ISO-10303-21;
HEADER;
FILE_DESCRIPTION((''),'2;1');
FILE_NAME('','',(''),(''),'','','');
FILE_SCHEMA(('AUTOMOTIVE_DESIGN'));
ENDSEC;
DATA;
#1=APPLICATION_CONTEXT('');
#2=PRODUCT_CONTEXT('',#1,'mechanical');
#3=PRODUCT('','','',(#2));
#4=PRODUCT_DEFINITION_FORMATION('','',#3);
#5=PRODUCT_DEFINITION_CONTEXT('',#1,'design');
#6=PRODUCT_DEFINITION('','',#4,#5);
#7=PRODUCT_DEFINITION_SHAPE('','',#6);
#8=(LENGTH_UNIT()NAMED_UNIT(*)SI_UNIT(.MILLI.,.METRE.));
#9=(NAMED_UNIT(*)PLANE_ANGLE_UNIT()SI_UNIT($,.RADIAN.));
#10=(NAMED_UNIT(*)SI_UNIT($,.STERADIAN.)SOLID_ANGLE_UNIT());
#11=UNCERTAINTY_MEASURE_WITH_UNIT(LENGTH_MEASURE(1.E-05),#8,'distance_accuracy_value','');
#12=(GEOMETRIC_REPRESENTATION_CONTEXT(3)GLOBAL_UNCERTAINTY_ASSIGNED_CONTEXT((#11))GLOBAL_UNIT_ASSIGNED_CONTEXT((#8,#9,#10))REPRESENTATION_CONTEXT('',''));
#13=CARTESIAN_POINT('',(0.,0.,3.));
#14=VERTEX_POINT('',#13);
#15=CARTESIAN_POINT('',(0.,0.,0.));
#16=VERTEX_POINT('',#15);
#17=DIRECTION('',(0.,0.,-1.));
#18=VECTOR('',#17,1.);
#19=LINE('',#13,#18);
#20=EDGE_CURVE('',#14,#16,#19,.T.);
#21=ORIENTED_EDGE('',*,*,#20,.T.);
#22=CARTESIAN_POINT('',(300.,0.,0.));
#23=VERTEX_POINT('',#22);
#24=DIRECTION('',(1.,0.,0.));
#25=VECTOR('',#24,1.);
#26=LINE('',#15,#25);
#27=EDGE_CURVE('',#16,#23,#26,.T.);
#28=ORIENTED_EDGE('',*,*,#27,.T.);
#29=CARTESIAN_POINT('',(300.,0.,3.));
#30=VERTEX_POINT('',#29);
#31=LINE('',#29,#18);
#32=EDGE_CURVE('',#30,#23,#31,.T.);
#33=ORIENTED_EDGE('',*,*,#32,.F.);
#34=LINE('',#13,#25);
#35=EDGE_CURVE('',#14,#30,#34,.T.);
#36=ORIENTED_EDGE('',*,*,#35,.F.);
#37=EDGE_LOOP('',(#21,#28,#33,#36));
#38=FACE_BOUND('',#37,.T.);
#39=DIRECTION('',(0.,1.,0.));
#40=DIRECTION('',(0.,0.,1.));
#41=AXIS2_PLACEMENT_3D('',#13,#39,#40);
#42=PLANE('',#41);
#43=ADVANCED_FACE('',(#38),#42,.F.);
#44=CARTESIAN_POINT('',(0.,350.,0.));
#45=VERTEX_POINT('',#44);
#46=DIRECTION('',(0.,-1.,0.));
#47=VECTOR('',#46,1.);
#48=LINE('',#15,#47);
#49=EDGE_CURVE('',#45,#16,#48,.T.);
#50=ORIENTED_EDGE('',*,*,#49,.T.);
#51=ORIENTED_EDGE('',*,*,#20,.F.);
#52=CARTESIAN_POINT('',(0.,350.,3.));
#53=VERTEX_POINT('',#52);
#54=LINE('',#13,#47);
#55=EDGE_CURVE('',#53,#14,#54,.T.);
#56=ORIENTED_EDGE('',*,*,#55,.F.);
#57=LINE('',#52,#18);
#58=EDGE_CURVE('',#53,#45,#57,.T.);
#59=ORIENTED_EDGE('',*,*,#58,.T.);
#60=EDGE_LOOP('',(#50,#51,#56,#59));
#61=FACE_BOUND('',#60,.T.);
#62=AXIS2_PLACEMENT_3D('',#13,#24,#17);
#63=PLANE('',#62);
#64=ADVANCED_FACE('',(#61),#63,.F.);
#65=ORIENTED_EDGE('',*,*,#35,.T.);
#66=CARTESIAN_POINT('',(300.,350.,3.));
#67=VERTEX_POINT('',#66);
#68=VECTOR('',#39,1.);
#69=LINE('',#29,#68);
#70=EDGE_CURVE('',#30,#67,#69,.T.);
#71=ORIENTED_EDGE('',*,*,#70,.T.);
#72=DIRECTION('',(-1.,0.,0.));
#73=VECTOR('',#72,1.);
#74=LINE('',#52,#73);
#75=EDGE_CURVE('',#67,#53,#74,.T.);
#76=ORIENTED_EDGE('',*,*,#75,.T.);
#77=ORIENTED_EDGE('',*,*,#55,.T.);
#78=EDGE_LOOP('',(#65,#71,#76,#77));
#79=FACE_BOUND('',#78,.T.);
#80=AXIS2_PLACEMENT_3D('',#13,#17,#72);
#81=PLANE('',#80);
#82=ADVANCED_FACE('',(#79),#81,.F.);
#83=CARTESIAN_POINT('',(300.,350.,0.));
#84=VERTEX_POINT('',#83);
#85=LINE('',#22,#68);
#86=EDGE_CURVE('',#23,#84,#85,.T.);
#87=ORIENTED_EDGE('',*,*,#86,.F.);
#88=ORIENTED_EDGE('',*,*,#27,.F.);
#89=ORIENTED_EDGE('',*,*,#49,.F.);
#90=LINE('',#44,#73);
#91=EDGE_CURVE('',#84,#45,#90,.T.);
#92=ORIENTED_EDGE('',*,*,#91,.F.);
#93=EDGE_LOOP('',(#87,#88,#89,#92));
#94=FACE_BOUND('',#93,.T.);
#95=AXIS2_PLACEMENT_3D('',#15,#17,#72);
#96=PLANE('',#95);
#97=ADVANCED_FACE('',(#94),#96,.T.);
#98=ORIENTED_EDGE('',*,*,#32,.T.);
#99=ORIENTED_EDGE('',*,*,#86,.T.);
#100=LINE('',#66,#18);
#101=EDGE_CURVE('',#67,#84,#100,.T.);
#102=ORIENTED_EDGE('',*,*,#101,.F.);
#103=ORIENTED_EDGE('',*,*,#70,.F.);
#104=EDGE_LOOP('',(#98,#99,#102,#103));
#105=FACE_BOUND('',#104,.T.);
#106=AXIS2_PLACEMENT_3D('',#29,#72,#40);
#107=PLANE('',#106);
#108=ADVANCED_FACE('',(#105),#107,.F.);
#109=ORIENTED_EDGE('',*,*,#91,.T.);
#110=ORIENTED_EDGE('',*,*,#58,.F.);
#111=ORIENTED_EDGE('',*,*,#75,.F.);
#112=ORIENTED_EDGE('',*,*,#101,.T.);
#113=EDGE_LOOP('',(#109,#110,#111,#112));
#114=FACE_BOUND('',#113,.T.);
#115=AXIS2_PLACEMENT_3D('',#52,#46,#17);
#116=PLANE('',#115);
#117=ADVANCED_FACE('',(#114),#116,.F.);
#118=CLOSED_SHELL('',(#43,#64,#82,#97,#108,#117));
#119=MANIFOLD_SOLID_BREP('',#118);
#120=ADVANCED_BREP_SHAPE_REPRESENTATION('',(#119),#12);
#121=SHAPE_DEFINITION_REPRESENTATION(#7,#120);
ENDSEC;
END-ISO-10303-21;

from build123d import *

# Parameters (mm, degrees)
ESQUISSE1_W        = 300
ESQUISSE1_H        = 350
BOSS_EXTRU_1_DEPTH = 3


with BuildPart() as part:
    # Esquisse1 → Boss.-Extru.1 (new body)
    with BuildSketch(Plane.XY):
        with Locations((150, 175)):
            Rectangle(ESQUISSE1_W, ESQUISSE1_H)
    extrude(amount=BOSS_EXTRU_1_DEPTH)


solid = part.part
